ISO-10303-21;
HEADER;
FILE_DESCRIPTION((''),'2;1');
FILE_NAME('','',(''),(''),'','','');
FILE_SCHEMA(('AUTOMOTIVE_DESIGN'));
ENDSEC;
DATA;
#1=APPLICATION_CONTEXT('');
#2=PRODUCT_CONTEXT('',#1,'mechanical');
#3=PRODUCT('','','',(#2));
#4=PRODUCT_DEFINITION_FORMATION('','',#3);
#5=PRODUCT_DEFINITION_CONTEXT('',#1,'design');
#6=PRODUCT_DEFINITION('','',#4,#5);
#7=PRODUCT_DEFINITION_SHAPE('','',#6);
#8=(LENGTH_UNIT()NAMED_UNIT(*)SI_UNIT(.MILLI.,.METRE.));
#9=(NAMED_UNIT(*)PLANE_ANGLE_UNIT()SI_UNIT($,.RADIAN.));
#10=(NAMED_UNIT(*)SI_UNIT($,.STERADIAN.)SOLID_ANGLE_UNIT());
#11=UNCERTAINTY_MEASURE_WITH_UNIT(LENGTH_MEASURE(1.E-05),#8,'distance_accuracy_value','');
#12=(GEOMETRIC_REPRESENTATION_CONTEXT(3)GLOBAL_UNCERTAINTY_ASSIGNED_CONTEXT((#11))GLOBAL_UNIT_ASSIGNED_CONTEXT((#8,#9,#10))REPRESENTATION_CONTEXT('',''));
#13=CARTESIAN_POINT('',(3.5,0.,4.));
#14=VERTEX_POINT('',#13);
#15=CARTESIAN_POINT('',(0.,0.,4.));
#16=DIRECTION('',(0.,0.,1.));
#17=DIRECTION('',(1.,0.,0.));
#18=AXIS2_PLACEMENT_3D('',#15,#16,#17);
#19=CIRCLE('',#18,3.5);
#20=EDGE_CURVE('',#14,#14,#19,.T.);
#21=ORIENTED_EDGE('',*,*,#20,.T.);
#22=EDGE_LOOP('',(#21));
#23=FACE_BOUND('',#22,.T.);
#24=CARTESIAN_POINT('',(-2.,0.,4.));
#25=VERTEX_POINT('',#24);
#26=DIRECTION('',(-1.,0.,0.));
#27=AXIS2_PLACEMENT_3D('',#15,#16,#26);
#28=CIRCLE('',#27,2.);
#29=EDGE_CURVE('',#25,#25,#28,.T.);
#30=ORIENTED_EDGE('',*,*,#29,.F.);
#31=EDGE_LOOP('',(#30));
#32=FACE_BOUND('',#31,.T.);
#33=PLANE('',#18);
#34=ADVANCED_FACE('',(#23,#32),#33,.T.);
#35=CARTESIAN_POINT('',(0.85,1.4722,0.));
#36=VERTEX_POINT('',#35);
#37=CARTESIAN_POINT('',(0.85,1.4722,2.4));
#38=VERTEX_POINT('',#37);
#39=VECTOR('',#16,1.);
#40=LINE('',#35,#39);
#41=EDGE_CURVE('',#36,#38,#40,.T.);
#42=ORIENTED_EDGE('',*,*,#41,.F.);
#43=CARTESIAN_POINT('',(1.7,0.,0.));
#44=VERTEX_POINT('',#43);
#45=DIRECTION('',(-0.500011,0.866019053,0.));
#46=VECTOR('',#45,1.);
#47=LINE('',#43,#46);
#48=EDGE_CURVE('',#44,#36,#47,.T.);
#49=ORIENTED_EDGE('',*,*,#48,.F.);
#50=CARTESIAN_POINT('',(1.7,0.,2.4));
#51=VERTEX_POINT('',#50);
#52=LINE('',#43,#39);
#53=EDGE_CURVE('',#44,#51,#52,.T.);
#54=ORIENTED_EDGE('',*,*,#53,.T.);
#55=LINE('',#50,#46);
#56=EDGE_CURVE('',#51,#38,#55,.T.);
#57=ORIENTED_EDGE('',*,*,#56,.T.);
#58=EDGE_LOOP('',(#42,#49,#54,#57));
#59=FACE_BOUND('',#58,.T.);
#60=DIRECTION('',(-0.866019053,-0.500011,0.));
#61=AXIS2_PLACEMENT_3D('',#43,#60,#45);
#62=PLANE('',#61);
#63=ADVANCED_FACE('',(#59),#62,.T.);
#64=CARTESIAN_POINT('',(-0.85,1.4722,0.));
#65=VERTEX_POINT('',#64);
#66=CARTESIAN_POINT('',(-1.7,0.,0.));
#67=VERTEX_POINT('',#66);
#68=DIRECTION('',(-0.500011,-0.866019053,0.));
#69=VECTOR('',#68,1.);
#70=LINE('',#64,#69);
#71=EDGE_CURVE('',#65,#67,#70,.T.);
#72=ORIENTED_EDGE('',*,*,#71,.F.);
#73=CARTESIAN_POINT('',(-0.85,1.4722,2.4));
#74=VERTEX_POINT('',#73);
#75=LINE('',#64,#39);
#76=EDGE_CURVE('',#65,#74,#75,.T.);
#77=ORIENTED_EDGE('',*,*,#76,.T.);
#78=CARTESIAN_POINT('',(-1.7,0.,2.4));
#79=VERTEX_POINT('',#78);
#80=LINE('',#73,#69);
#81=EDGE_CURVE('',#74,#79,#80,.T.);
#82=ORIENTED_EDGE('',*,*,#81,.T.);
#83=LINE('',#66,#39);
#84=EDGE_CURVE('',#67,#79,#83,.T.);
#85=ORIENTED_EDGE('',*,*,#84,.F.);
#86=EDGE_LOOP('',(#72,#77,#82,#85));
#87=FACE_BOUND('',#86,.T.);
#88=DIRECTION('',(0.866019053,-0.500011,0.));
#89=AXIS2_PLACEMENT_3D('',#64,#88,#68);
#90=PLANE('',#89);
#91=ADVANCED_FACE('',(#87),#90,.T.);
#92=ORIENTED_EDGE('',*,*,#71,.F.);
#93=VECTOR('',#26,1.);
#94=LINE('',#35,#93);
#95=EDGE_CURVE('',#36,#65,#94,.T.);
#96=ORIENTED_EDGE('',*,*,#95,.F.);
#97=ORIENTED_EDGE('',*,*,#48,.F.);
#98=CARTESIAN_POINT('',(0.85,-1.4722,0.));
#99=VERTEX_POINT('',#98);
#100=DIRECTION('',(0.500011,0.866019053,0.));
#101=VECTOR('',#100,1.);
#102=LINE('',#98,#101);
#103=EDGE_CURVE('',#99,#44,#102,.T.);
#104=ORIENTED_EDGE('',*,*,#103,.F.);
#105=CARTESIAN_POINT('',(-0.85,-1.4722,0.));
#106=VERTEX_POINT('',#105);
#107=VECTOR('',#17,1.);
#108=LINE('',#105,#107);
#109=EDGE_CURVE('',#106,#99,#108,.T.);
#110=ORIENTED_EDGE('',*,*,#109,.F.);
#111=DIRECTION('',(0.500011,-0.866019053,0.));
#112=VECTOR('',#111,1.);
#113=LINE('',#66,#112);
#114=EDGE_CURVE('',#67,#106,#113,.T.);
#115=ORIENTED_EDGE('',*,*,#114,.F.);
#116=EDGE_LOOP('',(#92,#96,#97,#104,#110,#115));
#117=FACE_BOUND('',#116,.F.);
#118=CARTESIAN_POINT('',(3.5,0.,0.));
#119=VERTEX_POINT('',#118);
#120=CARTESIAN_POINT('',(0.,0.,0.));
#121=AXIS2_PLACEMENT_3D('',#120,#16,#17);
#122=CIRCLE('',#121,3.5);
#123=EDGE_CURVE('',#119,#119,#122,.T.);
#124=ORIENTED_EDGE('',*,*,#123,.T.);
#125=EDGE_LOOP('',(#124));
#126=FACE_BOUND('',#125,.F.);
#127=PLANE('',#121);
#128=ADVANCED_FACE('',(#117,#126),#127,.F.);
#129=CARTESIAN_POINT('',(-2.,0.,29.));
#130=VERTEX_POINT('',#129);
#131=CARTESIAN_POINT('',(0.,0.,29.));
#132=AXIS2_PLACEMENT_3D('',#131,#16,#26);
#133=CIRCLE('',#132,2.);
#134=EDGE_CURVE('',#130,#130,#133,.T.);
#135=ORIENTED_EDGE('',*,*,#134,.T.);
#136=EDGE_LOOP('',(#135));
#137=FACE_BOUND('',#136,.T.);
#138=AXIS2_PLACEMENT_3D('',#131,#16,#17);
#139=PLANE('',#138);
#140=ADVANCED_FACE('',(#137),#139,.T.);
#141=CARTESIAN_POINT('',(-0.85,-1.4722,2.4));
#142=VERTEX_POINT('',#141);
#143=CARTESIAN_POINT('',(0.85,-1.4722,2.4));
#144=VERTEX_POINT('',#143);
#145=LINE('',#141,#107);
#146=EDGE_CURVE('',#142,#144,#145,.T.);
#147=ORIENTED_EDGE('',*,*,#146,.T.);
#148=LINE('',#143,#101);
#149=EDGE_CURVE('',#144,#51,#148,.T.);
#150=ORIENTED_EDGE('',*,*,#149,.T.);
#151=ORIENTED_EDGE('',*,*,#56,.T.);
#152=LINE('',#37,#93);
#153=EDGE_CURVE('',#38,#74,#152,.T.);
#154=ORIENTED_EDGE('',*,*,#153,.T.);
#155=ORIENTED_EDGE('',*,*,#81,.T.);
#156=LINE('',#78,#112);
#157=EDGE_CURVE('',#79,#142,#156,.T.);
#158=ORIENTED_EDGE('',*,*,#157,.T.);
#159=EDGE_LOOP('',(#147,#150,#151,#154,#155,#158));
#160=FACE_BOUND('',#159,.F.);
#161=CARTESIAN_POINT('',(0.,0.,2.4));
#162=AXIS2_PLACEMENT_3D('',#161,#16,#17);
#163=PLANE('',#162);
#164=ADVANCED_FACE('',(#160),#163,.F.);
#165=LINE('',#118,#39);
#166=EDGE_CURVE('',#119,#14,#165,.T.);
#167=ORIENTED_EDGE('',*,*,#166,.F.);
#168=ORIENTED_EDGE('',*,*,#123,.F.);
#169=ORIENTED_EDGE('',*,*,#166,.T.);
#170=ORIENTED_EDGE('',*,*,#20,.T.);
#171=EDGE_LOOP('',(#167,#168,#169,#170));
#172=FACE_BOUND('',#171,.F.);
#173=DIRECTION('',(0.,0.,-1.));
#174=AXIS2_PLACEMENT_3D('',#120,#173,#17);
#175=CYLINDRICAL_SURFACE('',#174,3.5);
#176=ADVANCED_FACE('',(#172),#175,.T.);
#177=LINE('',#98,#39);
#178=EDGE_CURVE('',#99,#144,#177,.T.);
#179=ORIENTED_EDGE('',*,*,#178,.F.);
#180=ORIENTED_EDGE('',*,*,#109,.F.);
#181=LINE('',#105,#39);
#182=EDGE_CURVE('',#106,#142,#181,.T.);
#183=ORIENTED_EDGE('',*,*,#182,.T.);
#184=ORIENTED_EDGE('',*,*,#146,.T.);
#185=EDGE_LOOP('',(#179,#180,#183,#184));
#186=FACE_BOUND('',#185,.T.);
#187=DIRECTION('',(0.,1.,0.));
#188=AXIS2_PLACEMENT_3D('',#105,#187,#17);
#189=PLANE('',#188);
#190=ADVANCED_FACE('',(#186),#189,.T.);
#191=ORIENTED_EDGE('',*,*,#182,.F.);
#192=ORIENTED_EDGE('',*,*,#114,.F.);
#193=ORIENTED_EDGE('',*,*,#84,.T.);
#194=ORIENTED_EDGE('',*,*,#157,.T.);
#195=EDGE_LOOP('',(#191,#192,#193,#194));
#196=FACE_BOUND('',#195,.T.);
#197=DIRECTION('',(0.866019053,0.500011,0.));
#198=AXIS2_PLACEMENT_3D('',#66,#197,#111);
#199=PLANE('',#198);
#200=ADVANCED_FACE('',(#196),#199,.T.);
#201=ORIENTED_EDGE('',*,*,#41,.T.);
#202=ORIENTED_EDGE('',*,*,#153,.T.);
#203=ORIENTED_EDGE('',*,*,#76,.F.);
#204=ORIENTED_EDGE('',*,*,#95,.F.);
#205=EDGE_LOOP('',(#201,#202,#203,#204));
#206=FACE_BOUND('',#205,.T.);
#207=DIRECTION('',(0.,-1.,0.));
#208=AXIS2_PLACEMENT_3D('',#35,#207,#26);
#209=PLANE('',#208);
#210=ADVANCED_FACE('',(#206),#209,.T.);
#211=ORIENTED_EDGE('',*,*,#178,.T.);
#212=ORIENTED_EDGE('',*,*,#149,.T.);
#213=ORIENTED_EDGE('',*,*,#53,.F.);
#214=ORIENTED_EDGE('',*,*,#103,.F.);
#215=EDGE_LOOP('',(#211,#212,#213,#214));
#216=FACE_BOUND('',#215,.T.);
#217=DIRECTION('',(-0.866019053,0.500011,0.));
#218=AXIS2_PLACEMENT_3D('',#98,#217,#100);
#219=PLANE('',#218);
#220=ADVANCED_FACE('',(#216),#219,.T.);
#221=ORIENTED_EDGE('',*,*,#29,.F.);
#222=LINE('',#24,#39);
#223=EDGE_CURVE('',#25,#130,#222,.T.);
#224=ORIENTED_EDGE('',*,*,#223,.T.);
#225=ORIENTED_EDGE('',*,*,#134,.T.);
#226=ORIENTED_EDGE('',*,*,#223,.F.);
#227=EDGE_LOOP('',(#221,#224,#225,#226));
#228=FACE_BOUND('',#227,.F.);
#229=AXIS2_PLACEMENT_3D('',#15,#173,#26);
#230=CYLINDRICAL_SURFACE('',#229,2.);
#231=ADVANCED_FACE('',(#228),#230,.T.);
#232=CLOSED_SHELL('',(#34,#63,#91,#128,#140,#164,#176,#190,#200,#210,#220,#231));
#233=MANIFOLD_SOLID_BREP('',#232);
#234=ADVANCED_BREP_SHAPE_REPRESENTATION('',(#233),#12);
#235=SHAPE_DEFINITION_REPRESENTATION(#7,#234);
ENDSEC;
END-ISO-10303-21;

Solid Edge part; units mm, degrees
sketch "Sketch1" plane through (0, 0, 0) normal (0, 0, 1) x (1, 0, 0)
  circle A0 centre (0, 0) radius 3.5
extrude "Protrusion1" add sketch "Sketch1" along normal blind 4
sketch "Sketch2" plane through (0, 0, 0) normal (0, 0, -1) x (1, 0, 0)
  line L0 (0.85, 1.4722) -> (1.7, 0)
  line L1 (1.7, 0) -> (0.85, -1.4722)
  line L2 (0.85, -1.4722) -> (-0.85, -1.4722)
  line L3 (-0.85, -1.4722) -> (-1.7, 0)
  line L4 (-1.7, 0) -> (-0.85, 1.4722)
  line L5 (-0.85, 1.4722) -> (0.85, 1.4722)
extrude "ExtrudedCutout_1" cut sketch "Sketch2" against normal blind 2.4
sketch "Sketch3" plane through (0, 0, 4) normal (0, 0, 1) x (-1, 0, 0)
  circle A0 centre (0, 0) radius 2
extrude "ExtrudedProtrusion_2" add sketch "Sketch3" along normal blind 25
cosmetic_thread "Thread_1" size "M4" thread depth 20
